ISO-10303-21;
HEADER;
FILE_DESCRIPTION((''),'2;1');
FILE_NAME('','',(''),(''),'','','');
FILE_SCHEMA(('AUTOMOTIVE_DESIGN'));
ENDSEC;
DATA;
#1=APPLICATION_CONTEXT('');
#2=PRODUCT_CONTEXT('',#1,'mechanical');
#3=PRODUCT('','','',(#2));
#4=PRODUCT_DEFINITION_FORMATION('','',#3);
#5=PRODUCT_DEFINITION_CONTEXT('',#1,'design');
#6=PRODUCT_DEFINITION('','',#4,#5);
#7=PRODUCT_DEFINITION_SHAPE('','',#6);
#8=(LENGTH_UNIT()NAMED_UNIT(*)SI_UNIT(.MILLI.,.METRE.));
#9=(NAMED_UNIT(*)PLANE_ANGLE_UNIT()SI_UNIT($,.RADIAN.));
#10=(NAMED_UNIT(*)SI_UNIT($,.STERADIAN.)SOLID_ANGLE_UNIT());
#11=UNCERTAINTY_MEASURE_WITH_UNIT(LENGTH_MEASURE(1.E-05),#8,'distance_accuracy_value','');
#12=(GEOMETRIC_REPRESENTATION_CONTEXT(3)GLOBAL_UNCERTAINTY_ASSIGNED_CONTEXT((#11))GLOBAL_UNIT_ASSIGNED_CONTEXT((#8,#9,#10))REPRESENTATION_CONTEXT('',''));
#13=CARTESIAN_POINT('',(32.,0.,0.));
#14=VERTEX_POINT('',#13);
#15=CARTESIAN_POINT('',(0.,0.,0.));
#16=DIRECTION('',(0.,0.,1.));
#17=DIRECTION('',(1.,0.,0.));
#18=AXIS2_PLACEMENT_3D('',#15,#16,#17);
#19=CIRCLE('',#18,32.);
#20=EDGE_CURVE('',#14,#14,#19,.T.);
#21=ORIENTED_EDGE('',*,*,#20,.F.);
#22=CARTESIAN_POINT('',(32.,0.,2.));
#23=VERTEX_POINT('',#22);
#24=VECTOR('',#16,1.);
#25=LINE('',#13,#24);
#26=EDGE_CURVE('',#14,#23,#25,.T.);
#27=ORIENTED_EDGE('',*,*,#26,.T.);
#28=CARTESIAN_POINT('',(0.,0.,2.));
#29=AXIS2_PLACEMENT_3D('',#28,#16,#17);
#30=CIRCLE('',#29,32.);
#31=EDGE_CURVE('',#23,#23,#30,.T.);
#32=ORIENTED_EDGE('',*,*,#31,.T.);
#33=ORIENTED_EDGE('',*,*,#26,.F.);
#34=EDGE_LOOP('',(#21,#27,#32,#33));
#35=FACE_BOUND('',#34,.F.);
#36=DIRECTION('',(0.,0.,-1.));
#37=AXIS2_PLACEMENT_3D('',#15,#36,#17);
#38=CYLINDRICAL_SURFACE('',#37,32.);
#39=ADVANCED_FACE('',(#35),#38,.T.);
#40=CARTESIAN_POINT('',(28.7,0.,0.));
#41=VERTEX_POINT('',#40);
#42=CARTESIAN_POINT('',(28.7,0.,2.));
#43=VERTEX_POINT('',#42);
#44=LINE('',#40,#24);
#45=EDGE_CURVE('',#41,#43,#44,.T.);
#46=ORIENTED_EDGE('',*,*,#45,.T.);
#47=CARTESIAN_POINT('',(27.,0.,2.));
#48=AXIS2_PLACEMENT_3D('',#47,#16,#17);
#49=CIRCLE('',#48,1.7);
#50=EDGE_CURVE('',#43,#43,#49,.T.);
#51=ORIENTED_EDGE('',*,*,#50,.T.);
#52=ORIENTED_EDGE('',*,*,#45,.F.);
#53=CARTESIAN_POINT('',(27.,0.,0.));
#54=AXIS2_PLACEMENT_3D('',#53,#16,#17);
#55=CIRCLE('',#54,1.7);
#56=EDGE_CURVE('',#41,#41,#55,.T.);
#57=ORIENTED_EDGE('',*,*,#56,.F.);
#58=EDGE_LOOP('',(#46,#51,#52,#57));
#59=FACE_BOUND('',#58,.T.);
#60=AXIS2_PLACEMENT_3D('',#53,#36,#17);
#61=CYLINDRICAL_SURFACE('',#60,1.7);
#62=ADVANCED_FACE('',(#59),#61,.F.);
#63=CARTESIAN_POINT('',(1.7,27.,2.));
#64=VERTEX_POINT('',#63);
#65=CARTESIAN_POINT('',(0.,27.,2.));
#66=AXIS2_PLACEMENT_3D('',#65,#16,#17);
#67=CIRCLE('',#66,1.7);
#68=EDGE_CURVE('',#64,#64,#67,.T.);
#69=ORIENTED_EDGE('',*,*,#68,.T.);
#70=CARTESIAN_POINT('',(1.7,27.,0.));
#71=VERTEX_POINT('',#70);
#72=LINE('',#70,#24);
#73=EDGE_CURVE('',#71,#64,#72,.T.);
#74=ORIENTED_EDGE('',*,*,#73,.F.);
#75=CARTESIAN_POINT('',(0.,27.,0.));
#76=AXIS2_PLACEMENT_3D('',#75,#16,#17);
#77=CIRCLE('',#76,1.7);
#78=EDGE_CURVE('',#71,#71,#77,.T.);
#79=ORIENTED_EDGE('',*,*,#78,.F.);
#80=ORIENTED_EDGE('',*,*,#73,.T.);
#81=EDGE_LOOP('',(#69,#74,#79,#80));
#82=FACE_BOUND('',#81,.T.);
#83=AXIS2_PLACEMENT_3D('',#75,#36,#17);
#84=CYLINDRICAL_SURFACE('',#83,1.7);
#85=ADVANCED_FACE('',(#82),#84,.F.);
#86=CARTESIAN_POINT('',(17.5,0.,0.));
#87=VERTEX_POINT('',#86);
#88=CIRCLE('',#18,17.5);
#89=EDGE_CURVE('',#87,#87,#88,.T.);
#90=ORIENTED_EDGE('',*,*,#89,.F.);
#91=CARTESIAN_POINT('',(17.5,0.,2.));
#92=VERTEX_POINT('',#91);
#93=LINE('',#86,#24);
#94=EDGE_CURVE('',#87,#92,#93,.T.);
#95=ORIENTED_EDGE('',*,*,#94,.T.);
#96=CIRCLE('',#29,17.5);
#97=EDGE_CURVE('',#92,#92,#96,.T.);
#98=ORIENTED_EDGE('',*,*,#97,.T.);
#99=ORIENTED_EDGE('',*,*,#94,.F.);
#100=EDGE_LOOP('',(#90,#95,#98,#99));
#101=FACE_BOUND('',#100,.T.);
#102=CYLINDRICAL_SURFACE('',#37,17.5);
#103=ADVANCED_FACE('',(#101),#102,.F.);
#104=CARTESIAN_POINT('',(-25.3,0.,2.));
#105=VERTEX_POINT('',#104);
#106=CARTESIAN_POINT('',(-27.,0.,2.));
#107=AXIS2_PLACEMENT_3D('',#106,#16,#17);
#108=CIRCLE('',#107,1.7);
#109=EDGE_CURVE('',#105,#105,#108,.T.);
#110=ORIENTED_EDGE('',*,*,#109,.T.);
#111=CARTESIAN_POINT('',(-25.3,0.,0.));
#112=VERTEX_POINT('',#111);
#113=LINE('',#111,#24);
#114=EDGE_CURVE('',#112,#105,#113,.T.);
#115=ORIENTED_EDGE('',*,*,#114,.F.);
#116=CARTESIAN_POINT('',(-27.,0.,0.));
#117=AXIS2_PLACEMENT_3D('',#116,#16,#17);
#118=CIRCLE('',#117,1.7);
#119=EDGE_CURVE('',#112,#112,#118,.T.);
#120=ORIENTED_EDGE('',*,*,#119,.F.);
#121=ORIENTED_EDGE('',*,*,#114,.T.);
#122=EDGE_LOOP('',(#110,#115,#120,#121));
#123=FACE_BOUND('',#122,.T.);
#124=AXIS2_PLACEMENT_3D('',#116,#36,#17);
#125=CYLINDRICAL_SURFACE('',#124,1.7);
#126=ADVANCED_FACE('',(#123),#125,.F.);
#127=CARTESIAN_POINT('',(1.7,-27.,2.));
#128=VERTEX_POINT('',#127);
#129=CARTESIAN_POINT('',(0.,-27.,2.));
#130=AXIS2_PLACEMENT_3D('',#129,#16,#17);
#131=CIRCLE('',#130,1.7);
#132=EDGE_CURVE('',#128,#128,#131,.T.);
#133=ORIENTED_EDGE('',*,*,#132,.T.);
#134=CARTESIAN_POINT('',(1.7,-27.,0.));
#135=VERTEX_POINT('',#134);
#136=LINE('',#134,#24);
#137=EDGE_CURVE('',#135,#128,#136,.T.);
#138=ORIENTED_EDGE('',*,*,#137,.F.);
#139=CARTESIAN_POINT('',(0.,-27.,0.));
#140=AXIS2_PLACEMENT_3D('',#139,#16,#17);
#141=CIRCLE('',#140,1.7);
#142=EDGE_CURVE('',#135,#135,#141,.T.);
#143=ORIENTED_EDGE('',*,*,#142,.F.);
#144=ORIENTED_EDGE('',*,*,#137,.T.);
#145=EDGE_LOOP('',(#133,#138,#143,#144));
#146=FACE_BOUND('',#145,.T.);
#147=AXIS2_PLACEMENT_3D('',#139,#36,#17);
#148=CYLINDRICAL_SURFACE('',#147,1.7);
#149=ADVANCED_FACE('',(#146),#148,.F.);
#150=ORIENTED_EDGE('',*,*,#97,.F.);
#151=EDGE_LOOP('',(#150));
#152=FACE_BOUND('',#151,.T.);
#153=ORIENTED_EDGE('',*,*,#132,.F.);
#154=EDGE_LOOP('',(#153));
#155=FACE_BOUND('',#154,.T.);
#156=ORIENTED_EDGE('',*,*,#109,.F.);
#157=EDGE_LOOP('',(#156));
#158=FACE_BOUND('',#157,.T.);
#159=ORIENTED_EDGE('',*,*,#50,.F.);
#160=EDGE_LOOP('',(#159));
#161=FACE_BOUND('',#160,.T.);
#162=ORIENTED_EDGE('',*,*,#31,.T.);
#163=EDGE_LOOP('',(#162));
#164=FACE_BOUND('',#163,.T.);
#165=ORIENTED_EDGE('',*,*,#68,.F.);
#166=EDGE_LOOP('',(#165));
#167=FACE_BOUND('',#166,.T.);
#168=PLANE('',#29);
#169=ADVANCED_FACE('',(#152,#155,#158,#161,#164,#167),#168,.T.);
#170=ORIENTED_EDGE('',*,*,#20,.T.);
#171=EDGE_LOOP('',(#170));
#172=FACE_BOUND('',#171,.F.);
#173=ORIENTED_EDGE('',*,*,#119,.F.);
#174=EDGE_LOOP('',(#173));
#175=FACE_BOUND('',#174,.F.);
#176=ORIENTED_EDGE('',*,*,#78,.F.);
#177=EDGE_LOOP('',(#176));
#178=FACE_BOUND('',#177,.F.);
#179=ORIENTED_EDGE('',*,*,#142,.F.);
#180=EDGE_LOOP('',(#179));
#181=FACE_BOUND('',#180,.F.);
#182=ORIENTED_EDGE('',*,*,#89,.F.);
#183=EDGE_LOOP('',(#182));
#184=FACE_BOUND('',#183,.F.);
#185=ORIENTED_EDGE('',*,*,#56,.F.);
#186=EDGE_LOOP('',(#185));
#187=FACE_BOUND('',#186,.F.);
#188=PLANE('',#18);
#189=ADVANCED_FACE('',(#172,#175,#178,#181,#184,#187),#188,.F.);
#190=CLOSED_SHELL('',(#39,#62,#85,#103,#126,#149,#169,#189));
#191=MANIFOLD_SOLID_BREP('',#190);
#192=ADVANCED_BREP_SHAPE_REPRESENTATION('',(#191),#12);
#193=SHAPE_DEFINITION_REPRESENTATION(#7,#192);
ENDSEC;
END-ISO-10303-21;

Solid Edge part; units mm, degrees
sketch "Sketch1" plane through (0, 0, 0) normal (0, 0, 1) x (1, 0, 0)
  circle A0 centre (0, 0) radius 32
  circle A1 centre (0, 0) radius 17.5
  circle A2 centre (27, 0) radius 1.7
  circle A3 centre (0, 27) radius 1.7
  circle A4 centre (-27, 0) radius 1.7
  circle A5 centre (0, -27) radius 1.7
extrude "Protrusion1" add sketch "Sketch1" along normal blind 2
